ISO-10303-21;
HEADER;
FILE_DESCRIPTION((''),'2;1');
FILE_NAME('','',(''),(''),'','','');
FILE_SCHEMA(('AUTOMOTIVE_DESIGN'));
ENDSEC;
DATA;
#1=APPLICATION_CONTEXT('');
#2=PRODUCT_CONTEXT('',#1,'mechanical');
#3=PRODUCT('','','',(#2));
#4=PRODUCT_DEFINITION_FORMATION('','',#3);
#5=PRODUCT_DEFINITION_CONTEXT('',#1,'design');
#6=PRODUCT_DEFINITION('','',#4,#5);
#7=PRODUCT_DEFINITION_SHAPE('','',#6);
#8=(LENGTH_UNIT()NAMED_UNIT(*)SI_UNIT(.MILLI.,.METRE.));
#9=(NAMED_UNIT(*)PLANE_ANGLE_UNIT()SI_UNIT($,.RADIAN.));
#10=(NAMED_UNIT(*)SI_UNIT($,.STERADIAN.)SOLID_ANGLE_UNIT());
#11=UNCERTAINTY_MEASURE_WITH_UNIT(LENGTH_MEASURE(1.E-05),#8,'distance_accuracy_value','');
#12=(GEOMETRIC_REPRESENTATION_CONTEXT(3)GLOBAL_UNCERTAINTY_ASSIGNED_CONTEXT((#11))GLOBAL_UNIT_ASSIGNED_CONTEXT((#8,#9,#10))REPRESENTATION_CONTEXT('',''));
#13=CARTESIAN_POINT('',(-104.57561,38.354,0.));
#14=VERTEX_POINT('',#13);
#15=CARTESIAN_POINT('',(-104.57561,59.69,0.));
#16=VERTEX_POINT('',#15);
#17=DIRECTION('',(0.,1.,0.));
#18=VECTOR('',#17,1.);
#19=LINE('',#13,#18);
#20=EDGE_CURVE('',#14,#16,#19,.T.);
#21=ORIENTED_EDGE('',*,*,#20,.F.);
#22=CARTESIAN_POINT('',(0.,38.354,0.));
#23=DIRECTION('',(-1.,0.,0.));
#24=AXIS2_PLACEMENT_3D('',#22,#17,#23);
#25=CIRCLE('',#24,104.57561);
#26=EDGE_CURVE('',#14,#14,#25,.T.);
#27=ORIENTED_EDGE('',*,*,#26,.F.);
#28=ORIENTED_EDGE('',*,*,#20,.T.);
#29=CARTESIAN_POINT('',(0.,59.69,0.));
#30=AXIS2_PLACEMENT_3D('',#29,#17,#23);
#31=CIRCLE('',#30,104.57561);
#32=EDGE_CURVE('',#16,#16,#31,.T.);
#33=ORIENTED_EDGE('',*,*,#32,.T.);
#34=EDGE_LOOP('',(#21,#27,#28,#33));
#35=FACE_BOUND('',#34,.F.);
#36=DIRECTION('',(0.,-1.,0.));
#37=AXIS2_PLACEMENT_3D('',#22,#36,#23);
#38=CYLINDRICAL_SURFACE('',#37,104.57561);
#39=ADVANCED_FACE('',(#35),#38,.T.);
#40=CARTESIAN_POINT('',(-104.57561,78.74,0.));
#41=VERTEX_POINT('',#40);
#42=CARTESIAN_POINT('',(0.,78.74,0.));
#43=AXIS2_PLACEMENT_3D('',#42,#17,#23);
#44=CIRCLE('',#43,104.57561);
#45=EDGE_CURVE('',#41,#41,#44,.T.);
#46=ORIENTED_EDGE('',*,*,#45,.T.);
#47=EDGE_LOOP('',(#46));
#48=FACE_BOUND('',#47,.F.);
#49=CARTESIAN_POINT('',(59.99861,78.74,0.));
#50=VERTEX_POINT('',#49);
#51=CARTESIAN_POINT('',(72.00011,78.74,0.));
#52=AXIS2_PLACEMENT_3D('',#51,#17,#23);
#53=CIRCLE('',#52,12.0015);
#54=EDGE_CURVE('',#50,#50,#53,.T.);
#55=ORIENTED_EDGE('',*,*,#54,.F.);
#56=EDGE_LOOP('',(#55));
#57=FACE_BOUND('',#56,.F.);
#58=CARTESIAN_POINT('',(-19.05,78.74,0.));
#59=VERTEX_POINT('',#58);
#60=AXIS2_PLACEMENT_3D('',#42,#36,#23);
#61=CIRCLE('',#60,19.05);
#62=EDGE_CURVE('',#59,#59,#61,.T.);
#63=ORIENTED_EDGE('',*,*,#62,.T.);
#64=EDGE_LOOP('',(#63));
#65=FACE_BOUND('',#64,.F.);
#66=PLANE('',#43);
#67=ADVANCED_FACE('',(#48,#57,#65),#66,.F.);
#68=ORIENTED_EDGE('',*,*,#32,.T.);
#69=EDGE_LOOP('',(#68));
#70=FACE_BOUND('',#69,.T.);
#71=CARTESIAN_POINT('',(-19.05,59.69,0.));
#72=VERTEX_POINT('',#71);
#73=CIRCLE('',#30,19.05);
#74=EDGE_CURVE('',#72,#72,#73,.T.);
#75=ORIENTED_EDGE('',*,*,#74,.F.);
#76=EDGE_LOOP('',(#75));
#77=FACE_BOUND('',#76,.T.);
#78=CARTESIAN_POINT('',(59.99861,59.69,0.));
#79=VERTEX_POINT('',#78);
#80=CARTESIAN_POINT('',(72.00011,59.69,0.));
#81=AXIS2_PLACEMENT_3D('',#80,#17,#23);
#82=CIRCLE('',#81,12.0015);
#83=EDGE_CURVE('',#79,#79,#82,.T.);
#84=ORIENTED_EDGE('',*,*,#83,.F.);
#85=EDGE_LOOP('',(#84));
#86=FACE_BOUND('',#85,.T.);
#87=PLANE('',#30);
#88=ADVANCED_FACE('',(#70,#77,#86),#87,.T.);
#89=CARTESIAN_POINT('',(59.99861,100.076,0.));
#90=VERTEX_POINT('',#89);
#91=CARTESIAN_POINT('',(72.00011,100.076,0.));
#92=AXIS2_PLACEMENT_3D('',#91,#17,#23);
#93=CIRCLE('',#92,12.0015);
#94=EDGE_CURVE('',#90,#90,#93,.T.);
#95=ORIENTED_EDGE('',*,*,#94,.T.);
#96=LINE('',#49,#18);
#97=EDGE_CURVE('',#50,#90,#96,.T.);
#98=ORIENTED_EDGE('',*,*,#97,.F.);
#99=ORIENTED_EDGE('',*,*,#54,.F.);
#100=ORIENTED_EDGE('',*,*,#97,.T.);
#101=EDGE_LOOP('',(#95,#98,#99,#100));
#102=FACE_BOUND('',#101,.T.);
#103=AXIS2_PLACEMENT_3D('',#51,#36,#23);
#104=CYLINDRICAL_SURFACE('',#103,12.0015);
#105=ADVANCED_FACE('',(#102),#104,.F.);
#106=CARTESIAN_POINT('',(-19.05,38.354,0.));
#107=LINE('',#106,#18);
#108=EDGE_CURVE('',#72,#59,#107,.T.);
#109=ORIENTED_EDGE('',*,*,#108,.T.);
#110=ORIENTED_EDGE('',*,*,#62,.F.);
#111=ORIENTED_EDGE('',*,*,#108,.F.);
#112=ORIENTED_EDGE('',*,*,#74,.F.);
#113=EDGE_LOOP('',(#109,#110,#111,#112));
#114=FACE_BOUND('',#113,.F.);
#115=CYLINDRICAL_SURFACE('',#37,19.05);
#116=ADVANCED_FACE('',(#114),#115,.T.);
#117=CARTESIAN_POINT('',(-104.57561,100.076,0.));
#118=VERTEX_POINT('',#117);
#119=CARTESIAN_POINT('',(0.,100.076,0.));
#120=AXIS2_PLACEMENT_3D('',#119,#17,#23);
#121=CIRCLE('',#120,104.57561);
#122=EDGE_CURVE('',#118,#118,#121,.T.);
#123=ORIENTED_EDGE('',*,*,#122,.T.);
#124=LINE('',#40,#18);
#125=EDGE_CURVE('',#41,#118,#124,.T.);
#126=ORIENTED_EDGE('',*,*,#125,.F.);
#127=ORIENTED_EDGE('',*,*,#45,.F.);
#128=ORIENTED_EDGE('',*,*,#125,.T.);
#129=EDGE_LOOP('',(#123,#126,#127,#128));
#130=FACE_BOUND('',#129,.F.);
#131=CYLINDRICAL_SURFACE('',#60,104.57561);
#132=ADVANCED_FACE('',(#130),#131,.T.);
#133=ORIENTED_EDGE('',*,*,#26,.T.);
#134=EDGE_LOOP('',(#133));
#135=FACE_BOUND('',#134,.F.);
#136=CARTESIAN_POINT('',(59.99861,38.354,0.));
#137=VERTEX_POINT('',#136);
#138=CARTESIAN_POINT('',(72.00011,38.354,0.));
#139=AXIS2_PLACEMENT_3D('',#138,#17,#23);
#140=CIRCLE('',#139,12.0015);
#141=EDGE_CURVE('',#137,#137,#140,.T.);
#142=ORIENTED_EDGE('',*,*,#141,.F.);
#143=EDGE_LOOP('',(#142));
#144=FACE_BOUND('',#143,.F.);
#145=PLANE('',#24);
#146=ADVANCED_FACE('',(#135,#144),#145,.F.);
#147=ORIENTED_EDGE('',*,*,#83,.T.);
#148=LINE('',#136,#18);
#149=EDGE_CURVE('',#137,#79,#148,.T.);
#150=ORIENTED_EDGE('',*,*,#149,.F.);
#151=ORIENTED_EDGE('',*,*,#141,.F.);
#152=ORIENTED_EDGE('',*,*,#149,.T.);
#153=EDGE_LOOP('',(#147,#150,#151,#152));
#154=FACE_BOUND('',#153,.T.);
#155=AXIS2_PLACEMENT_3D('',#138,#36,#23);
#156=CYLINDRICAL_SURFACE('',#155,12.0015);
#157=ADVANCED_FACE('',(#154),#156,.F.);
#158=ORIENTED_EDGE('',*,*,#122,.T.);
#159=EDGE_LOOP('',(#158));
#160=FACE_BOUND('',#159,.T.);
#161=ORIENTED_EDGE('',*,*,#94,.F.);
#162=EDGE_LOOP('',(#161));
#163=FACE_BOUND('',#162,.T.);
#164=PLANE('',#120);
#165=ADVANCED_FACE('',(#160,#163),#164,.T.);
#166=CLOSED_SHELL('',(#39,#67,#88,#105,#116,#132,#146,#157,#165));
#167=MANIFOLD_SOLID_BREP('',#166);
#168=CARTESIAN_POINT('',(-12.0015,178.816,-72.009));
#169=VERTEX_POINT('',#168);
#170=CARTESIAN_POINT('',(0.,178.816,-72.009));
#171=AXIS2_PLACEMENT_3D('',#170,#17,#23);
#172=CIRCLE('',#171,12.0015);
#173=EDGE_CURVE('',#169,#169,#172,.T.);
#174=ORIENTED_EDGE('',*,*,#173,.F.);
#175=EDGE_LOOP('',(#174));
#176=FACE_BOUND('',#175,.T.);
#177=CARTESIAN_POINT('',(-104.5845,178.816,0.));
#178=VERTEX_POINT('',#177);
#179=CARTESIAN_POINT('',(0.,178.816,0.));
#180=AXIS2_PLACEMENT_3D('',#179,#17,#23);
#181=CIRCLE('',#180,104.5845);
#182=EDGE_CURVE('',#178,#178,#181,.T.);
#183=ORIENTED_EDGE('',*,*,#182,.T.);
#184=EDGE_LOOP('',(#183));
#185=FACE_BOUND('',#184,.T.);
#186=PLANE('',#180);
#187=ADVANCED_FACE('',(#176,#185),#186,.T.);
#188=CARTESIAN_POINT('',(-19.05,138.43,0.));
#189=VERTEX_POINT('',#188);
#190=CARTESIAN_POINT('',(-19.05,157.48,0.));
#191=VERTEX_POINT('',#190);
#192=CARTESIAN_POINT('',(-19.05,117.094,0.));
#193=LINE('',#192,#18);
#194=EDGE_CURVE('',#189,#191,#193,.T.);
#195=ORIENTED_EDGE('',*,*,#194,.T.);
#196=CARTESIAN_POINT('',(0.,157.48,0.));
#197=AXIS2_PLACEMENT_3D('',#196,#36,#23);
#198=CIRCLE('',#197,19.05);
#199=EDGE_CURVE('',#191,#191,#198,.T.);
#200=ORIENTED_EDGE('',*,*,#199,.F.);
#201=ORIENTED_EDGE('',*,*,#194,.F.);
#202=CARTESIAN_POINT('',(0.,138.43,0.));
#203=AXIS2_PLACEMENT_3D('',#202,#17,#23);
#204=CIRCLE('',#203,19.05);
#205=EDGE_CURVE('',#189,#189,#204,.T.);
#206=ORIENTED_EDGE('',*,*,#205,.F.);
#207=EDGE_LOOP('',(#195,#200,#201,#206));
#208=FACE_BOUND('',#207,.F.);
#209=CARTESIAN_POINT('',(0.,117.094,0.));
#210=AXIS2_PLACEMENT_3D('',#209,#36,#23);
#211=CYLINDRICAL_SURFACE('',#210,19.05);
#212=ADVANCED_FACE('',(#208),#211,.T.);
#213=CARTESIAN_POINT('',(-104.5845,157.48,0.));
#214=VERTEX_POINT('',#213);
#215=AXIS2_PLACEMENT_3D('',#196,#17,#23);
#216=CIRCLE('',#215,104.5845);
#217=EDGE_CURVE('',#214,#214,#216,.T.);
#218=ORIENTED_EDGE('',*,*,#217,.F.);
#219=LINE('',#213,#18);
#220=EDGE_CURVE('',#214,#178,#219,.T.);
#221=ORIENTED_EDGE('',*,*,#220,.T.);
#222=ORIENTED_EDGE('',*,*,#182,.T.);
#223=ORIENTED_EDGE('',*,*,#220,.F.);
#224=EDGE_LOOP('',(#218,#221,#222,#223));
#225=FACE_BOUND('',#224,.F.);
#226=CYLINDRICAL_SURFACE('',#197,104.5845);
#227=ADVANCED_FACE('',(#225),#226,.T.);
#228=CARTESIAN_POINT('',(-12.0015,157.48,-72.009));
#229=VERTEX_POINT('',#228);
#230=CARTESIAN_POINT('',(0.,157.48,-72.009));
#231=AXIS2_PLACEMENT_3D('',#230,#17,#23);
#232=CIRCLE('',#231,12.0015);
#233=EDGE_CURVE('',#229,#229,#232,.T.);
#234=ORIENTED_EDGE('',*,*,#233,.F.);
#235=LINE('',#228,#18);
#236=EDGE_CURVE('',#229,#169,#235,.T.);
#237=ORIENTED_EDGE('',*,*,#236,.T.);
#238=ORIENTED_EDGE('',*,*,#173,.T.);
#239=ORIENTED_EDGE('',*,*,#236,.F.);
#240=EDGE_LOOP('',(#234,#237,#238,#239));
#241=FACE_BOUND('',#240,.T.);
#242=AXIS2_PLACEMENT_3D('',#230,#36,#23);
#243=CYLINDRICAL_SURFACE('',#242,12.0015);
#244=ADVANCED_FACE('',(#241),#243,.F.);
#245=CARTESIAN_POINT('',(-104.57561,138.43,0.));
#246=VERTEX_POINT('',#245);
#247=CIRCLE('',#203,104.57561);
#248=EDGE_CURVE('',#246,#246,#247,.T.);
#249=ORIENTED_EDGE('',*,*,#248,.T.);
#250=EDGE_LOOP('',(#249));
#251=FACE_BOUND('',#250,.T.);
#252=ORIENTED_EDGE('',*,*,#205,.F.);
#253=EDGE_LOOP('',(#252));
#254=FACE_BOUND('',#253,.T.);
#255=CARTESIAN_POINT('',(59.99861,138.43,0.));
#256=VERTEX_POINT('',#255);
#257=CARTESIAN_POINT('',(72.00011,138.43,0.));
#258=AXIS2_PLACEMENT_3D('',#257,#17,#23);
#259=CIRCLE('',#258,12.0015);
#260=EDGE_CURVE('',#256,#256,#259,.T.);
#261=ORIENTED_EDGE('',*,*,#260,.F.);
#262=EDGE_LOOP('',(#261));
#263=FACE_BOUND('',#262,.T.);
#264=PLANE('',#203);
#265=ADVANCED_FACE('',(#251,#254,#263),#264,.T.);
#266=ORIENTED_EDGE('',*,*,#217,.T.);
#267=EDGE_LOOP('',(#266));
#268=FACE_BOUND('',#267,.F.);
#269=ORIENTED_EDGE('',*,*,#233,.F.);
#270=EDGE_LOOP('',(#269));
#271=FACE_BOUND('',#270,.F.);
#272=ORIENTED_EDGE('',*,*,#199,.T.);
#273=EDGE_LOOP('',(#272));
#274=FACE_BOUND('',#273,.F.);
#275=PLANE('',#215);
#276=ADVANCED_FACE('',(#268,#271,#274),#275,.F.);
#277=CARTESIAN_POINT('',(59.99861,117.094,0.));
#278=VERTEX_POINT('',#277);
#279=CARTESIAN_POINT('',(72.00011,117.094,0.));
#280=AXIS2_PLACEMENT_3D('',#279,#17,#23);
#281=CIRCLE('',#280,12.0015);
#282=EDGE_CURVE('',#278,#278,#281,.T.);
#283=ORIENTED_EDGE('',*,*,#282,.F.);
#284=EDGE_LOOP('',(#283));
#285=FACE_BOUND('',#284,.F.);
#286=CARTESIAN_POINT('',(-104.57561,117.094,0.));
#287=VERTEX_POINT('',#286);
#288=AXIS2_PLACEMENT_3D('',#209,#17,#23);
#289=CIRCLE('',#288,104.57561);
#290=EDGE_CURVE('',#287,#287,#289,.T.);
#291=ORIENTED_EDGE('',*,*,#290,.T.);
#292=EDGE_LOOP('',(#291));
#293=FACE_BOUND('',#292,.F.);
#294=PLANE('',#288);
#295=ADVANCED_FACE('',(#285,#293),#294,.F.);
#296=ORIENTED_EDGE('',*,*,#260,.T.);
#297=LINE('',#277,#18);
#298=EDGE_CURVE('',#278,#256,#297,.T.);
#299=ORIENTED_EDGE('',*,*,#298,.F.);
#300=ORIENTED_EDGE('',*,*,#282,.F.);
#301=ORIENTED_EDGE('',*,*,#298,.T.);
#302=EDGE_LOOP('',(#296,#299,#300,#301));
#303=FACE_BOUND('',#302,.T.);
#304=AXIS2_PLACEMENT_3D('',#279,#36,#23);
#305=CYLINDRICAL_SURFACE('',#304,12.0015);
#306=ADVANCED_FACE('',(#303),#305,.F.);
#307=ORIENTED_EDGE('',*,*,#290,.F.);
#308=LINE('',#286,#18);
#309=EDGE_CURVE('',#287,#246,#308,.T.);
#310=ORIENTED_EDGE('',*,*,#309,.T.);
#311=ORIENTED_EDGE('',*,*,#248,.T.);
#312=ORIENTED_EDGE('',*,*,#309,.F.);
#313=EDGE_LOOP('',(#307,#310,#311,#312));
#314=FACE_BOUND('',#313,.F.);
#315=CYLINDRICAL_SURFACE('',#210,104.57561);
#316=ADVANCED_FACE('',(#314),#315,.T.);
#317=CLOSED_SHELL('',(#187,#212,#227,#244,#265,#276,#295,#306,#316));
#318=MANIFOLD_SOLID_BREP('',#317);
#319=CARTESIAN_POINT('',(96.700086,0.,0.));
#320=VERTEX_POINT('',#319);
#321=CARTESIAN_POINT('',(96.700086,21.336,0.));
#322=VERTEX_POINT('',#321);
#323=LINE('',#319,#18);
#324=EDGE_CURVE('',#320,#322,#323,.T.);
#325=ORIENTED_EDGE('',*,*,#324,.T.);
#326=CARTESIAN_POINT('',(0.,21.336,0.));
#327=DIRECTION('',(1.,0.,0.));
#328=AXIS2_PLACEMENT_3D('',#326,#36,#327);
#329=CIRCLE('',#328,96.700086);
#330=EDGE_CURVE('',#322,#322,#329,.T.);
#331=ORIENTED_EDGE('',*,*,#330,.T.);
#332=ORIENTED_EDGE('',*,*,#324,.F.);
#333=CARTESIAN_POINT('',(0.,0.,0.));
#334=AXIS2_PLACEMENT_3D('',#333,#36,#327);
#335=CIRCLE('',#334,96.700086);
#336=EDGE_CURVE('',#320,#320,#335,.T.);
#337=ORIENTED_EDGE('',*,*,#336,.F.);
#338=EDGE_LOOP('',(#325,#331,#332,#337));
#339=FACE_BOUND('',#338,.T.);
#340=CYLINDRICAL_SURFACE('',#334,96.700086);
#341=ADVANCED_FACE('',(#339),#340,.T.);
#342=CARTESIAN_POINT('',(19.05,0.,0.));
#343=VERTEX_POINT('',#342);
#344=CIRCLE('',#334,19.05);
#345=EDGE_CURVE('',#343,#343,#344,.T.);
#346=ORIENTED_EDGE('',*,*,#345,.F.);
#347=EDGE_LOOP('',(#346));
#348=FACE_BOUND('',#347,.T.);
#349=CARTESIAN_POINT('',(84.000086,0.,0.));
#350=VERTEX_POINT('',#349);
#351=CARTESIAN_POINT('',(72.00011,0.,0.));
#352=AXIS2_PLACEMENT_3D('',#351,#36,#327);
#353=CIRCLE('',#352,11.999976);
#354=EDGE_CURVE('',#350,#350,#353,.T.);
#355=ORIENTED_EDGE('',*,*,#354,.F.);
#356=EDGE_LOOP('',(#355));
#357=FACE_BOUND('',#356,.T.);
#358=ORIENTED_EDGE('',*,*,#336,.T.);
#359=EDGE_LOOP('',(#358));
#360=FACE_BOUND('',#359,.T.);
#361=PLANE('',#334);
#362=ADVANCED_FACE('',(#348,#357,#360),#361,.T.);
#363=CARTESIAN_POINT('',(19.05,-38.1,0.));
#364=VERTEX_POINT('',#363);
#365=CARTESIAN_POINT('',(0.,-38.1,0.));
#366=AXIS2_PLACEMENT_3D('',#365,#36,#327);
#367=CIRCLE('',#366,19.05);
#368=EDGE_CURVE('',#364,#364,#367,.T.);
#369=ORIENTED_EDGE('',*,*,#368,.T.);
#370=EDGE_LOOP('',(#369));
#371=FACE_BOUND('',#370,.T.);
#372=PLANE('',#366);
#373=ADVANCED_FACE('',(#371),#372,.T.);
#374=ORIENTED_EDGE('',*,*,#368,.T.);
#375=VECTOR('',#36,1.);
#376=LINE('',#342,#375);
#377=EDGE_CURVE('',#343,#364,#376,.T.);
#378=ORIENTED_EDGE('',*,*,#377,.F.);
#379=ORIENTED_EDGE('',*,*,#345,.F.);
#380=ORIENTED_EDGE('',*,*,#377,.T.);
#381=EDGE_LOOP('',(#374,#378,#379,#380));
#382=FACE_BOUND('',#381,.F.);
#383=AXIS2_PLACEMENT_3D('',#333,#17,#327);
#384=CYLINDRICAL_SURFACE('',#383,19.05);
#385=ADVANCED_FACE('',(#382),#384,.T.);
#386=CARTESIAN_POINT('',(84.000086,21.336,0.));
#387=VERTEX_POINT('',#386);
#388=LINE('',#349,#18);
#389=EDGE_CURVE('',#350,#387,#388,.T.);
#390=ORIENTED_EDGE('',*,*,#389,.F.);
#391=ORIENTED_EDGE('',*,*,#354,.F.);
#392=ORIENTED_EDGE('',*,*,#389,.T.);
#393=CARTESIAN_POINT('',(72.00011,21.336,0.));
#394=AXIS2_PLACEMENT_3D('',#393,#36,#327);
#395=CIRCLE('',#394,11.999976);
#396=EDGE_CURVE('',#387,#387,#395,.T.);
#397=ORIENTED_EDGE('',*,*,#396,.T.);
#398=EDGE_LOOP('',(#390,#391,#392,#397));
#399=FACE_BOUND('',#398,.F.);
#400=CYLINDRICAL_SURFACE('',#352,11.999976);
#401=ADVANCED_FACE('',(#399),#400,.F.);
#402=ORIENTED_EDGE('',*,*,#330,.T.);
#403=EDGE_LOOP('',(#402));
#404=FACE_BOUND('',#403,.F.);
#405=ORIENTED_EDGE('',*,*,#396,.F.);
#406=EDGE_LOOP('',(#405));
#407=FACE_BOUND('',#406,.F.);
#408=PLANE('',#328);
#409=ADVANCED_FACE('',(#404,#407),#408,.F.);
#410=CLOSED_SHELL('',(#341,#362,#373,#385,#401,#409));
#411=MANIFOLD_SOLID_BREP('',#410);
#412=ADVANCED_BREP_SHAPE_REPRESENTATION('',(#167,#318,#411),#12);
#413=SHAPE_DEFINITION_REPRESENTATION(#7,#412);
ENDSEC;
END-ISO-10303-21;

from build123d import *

# Parameters (mm, degrees)
F0_R      = 96.700086
F0_R_2    = 11.999976
F1_DEPTH  = 21.336
F2_R      = 19.05
F3_DEPTH  = 38.1
F5_R      = 104.57561
F5_R_2    = 12.0015
F5_R_3    = 19.05
F6_DEPTH  = 21.336
F7_DEPTH  = 61.722
F9_R      = 104.57561
F9_R_2    = 12.0015
F10_DEPTH = 21.336
F12_R     = 104.57561
F12_R_2   = 12.0015
F12_R_3   = 19.05
F13_DEPTH = 21.336
F14_DEPTH = 61.722
F16_R     = 104.5845
F16_R_2   = 12.0015
F17_DEPTH = 21.336


with BuildPart() as f1:
    # F0 (on Front) → F1 (new body)
    with BuildSketch(Plane.XZ):
        Circle(F0_R)
        with Locations((72.00011, 0)):
            Circle(F0_R_2, mode=Mode.SUBTRACT)
    extrude(amount=-F1_DEPTH)

    # F2 (on face) → F3 (join)
    with BuildSketch(Plane.XZ):
        Circle(F2_R)
    extrude(amount=F3_DEPTH)


with BuildPart() as f6:
    # F5 (on offset) → F6 (new body)
    with BuildSketch(Plane(origin=(0, 38.354, 0), x_dir=(-1, 0, 0), z_dir=(0, 1, 0))):
        Circle(F5_R)
        with Locations((-72.00011, 0)):
            Circle(F5_R_2, mode=Mode.SUBTRACT)
        Circle(F5_R_3, mode=Mode.SUBTRACT)
    extrude(amount=F6_DEPTH)

    # F5 (on offset) → F7 (join)
    with BuildSketch(Plane(origin=(0, 38.354, 0), x_dir=(-1, 0, 0), z_dir=(0, 1, 0))):
        Circle(F5_R_3)
    extrude(amount=F7_DEPTH)

    # F9 (on offset) → F10 (join)
    with BuildSketch(Plane(origin=(0, 78.74, 0), x_dir=(-1, 0, 0), z_dir=(0, 1, 0))):
        Circle(F9_R)
        with Locations((-72.00011, 0)):
            Circle(F9_R_2, mode=Mode.SUBTRACT)
    extrude(amount=F10_DEPTH)


with BuildPart() as f13:
    # F12 (on offset) → F13 (new body)
    with BuildSketch(Plane(origin=(0, 117.094, 0), x_dir=(-1, 0, 0), z_dir=(0, 1, 0))):
        Circle(F12_R)
        with Locations((-72.00011, 0)):
            Circle(F12_R_2, mode=Mode.SUBTRACT)
        Circle(F12_R_3, mode=Mode.SUBTRACT)
    extrude(amount=F13_DEPTH)

    # F12 (on offset) → F14 (join)
    with BuildSketch(Plane(origin=(0, 117.094, 0), x_dir=(-1, 0, 0), z_dir=(0, 1, 0))):
        Circle(F12_R_3)
    extrude(amount=F14_DEPTH)

    # F16 (on offset) → F17 (join)
    with BuildSketch(Plane(origin=(0, 157.48, 0), x_dir=(-1, 0, 0), z_dir=(0, 1, 0))):
        Circle(F16_R)
        with Locations((0, -72.009)):
            Circle(F16_R_2, mode=Mode.SUBTRACT)
    extrude(amount=F17_DEPTH)


solid = Compound([f1.part, f6.part, f13.part])
